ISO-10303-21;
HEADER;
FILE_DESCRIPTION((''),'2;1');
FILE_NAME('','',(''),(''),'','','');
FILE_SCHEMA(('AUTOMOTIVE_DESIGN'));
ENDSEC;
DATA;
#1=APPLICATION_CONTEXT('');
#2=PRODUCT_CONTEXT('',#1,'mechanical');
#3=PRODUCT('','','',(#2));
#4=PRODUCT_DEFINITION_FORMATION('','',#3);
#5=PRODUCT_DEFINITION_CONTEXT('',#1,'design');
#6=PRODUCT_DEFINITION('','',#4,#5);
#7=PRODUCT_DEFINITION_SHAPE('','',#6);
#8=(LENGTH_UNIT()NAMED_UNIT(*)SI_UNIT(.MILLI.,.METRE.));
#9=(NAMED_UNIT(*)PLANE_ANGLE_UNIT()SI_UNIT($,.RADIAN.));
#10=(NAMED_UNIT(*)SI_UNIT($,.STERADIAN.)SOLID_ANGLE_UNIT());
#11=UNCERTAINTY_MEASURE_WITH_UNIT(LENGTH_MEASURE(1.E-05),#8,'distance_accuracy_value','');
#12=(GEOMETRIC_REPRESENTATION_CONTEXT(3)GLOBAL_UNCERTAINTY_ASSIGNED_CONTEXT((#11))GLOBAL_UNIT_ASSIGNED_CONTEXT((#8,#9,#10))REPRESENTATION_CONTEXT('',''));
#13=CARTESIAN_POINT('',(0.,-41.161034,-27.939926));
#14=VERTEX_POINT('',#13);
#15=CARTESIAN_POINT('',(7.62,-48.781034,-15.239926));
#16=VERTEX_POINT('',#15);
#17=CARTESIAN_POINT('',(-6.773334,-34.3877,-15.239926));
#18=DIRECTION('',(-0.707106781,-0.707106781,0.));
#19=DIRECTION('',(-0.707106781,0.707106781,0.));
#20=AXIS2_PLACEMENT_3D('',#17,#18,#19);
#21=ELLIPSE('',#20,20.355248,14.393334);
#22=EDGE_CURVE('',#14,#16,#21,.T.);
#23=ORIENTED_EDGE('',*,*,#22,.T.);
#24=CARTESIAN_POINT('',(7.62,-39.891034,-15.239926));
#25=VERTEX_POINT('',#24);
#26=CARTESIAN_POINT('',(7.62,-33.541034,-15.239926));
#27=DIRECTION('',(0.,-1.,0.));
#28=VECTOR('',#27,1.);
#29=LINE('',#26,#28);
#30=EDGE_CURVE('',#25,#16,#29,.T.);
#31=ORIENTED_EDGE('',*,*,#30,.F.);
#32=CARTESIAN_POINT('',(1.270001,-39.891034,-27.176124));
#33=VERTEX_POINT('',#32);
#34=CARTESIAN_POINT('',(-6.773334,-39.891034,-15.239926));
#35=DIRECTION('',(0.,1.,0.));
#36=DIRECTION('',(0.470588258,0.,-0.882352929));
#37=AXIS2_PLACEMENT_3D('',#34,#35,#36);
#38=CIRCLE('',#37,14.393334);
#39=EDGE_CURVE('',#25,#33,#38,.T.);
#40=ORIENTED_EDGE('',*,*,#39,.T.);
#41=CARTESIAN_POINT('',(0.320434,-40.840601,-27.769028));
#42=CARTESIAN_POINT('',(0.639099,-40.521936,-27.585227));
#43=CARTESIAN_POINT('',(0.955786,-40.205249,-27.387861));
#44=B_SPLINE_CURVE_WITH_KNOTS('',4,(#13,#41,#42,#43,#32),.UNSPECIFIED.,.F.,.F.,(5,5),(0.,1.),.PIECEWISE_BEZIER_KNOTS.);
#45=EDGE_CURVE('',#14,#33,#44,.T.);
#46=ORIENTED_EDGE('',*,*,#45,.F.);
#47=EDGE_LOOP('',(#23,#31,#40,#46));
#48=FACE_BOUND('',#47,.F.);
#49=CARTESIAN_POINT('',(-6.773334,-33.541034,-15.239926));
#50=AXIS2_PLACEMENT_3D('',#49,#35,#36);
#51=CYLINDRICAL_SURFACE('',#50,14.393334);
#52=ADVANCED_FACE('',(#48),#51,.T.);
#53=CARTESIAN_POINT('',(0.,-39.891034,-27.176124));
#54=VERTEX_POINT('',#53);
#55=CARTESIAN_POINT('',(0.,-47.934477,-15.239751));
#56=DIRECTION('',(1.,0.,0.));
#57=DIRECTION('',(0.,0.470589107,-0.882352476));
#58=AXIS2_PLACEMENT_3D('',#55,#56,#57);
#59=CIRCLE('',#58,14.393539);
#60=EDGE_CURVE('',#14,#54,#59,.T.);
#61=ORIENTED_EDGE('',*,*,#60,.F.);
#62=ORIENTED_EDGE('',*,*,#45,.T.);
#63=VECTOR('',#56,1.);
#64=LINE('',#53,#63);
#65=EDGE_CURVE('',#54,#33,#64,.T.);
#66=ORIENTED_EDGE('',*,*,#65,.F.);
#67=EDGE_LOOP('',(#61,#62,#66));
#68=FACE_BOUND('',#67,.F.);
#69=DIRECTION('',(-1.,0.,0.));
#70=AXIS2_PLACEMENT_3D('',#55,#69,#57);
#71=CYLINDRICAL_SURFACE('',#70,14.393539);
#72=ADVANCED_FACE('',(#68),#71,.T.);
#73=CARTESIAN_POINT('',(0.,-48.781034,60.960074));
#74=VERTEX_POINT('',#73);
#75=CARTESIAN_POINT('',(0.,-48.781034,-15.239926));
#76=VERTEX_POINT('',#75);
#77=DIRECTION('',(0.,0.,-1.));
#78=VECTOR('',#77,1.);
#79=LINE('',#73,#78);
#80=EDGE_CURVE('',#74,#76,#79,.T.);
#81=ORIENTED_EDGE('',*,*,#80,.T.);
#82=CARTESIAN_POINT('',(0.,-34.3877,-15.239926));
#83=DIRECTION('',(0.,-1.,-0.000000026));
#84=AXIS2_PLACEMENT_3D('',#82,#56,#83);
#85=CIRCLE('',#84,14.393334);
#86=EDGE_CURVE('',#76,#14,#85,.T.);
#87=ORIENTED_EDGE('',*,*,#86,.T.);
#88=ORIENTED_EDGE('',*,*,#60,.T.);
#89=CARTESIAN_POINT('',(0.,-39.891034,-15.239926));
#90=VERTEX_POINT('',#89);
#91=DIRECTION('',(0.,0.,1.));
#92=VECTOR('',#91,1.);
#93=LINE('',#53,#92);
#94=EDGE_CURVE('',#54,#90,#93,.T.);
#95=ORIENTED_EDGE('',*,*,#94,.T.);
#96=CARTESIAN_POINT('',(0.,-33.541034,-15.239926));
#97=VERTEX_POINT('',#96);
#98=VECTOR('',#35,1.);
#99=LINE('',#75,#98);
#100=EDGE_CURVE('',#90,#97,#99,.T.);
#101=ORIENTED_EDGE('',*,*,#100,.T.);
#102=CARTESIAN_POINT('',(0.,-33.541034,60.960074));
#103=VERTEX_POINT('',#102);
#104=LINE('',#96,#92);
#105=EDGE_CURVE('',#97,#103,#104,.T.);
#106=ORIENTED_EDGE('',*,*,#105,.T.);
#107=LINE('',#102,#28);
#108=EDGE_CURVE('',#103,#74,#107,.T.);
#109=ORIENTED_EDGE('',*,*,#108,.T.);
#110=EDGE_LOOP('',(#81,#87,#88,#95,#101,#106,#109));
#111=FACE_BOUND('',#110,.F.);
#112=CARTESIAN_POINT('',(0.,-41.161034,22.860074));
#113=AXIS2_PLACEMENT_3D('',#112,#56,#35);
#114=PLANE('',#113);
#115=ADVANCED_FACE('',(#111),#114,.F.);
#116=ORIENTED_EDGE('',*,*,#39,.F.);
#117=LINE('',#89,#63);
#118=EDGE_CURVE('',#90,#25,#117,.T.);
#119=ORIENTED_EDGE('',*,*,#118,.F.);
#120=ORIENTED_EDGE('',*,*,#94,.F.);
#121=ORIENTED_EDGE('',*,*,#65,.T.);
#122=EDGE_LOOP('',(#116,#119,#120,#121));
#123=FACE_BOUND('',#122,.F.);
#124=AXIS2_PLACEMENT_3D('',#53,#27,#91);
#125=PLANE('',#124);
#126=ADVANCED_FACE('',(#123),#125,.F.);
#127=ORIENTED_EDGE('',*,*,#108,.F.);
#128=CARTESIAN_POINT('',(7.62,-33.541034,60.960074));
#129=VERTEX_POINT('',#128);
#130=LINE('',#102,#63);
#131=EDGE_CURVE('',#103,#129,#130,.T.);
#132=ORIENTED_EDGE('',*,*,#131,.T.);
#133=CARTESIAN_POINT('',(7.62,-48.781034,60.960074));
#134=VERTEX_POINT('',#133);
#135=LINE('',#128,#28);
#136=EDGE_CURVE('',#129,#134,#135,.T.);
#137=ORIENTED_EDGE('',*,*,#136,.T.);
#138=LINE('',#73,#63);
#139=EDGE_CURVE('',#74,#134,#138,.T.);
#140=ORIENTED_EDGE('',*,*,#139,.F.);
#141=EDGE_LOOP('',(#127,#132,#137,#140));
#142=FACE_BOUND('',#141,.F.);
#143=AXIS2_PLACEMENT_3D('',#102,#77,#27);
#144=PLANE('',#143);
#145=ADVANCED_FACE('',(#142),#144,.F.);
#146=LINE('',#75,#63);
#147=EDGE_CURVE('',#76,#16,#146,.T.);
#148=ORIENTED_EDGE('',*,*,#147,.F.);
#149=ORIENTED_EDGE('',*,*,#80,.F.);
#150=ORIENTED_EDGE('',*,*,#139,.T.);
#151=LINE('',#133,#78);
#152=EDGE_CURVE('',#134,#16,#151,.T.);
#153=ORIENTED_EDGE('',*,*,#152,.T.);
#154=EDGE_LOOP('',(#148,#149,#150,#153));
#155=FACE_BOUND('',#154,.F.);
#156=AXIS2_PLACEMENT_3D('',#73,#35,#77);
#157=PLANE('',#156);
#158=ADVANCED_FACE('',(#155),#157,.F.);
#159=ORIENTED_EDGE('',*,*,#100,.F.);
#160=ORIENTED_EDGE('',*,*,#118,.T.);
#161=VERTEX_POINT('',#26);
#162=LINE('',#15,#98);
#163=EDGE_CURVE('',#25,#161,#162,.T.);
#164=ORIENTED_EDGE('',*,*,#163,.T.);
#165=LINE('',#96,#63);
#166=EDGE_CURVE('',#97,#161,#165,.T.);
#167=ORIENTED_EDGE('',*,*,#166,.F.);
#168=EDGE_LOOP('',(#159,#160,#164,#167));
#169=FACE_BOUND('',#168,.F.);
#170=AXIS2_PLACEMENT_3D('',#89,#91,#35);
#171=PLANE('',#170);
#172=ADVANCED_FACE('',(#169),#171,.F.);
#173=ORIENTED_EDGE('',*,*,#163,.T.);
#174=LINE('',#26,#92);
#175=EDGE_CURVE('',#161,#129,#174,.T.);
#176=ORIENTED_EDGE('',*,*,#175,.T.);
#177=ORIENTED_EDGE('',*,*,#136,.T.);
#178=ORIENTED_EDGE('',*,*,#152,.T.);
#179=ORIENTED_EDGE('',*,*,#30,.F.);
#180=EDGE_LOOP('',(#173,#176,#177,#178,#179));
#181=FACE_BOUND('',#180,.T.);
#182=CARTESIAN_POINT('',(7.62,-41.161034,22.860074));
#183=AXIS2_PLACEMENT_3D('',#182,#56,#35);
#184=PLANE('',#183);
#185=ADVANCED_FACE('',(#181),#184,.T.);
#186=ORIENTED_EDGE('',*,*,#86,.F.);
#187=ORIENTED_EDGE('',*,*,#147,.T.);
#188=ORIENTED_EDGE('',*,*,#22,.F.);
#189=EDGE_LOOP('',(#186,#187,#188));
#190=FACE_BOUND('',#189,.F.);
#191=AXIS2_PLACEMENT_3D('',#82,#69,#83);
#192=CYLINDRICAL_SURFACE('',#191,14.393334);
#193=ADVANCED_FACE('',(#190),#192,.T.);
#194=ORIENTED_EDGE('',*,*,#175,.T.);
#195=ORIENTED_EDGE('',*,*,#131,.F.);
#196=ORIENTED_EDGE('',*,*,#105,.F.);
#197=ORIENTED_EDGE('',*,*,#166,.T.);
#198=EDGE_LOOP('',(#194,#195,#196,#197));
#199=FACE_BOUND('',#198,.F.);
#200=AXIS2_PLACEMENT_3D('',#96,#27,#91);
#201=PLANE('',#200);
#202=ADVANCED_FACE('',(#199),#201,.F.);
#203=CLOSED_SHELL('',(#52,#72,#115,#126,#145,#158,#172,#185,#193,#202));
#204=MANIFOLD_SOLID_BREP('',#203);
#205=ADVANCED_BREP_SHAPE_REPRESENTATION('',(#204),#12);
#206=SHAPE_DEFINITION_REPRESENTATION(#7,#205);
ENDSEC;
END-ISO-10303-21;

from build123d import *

# Parameters (mm, degrees)
F1_DEPTH = 7.62
F3_DEPTH = 25.4


with BuildPart() as f1:
    # F0 (on Right) → F1 (new body)
    with BuildSketch(Plane.YZ):
        Polygon((-33.541034, 60.960074), (-48.781034, 60.960074), (-48.781034, -15.239926), (-42.431034, -15.239926), (-39.891034, -15.239926), (-33.541034, -15.239926), align=None)
        with BuildLine():
            Line((-42.431034, -15.239926), (-48.781034, -15.239926))
            ThreePointArc((-48.781034, -15.239926), (-46.729882, -22.645235), (-41.161034, -27.939926))
            ThreePointArc((-41.161034, -27.939926), (-40.516197, -27.574381), (-39.891034, -27.176124))
            Line((-39.891034, -27.176124), (-39.891034, -15.239926))
            Line((-39.891034, -15.239926), (-42.431034, -15.239926))
        make_face()
    extrude(amount=F1_DEPTH)

    # F2 (on face) → F3 (cut)
    with BuildSketch(Plane(origin=(0, -33.541034, 0), x_dir=(-1, 0, 0), z_dir=(0, 1, 0))):
        with BuildLine():
            ThreePointArc((0, -27.939926), (-5.568848, -22.645235), (-7.62, -15.239926))
            Line((-7.62, -15.239926), (-7.62, -27.939926))
            Line((-7.62, -27.939926), (0, -27.939926))
        make_face()
    extrude(amount=-F3_DEPTH, mode=Mode.SUBTRACT)


solid = f1.part
